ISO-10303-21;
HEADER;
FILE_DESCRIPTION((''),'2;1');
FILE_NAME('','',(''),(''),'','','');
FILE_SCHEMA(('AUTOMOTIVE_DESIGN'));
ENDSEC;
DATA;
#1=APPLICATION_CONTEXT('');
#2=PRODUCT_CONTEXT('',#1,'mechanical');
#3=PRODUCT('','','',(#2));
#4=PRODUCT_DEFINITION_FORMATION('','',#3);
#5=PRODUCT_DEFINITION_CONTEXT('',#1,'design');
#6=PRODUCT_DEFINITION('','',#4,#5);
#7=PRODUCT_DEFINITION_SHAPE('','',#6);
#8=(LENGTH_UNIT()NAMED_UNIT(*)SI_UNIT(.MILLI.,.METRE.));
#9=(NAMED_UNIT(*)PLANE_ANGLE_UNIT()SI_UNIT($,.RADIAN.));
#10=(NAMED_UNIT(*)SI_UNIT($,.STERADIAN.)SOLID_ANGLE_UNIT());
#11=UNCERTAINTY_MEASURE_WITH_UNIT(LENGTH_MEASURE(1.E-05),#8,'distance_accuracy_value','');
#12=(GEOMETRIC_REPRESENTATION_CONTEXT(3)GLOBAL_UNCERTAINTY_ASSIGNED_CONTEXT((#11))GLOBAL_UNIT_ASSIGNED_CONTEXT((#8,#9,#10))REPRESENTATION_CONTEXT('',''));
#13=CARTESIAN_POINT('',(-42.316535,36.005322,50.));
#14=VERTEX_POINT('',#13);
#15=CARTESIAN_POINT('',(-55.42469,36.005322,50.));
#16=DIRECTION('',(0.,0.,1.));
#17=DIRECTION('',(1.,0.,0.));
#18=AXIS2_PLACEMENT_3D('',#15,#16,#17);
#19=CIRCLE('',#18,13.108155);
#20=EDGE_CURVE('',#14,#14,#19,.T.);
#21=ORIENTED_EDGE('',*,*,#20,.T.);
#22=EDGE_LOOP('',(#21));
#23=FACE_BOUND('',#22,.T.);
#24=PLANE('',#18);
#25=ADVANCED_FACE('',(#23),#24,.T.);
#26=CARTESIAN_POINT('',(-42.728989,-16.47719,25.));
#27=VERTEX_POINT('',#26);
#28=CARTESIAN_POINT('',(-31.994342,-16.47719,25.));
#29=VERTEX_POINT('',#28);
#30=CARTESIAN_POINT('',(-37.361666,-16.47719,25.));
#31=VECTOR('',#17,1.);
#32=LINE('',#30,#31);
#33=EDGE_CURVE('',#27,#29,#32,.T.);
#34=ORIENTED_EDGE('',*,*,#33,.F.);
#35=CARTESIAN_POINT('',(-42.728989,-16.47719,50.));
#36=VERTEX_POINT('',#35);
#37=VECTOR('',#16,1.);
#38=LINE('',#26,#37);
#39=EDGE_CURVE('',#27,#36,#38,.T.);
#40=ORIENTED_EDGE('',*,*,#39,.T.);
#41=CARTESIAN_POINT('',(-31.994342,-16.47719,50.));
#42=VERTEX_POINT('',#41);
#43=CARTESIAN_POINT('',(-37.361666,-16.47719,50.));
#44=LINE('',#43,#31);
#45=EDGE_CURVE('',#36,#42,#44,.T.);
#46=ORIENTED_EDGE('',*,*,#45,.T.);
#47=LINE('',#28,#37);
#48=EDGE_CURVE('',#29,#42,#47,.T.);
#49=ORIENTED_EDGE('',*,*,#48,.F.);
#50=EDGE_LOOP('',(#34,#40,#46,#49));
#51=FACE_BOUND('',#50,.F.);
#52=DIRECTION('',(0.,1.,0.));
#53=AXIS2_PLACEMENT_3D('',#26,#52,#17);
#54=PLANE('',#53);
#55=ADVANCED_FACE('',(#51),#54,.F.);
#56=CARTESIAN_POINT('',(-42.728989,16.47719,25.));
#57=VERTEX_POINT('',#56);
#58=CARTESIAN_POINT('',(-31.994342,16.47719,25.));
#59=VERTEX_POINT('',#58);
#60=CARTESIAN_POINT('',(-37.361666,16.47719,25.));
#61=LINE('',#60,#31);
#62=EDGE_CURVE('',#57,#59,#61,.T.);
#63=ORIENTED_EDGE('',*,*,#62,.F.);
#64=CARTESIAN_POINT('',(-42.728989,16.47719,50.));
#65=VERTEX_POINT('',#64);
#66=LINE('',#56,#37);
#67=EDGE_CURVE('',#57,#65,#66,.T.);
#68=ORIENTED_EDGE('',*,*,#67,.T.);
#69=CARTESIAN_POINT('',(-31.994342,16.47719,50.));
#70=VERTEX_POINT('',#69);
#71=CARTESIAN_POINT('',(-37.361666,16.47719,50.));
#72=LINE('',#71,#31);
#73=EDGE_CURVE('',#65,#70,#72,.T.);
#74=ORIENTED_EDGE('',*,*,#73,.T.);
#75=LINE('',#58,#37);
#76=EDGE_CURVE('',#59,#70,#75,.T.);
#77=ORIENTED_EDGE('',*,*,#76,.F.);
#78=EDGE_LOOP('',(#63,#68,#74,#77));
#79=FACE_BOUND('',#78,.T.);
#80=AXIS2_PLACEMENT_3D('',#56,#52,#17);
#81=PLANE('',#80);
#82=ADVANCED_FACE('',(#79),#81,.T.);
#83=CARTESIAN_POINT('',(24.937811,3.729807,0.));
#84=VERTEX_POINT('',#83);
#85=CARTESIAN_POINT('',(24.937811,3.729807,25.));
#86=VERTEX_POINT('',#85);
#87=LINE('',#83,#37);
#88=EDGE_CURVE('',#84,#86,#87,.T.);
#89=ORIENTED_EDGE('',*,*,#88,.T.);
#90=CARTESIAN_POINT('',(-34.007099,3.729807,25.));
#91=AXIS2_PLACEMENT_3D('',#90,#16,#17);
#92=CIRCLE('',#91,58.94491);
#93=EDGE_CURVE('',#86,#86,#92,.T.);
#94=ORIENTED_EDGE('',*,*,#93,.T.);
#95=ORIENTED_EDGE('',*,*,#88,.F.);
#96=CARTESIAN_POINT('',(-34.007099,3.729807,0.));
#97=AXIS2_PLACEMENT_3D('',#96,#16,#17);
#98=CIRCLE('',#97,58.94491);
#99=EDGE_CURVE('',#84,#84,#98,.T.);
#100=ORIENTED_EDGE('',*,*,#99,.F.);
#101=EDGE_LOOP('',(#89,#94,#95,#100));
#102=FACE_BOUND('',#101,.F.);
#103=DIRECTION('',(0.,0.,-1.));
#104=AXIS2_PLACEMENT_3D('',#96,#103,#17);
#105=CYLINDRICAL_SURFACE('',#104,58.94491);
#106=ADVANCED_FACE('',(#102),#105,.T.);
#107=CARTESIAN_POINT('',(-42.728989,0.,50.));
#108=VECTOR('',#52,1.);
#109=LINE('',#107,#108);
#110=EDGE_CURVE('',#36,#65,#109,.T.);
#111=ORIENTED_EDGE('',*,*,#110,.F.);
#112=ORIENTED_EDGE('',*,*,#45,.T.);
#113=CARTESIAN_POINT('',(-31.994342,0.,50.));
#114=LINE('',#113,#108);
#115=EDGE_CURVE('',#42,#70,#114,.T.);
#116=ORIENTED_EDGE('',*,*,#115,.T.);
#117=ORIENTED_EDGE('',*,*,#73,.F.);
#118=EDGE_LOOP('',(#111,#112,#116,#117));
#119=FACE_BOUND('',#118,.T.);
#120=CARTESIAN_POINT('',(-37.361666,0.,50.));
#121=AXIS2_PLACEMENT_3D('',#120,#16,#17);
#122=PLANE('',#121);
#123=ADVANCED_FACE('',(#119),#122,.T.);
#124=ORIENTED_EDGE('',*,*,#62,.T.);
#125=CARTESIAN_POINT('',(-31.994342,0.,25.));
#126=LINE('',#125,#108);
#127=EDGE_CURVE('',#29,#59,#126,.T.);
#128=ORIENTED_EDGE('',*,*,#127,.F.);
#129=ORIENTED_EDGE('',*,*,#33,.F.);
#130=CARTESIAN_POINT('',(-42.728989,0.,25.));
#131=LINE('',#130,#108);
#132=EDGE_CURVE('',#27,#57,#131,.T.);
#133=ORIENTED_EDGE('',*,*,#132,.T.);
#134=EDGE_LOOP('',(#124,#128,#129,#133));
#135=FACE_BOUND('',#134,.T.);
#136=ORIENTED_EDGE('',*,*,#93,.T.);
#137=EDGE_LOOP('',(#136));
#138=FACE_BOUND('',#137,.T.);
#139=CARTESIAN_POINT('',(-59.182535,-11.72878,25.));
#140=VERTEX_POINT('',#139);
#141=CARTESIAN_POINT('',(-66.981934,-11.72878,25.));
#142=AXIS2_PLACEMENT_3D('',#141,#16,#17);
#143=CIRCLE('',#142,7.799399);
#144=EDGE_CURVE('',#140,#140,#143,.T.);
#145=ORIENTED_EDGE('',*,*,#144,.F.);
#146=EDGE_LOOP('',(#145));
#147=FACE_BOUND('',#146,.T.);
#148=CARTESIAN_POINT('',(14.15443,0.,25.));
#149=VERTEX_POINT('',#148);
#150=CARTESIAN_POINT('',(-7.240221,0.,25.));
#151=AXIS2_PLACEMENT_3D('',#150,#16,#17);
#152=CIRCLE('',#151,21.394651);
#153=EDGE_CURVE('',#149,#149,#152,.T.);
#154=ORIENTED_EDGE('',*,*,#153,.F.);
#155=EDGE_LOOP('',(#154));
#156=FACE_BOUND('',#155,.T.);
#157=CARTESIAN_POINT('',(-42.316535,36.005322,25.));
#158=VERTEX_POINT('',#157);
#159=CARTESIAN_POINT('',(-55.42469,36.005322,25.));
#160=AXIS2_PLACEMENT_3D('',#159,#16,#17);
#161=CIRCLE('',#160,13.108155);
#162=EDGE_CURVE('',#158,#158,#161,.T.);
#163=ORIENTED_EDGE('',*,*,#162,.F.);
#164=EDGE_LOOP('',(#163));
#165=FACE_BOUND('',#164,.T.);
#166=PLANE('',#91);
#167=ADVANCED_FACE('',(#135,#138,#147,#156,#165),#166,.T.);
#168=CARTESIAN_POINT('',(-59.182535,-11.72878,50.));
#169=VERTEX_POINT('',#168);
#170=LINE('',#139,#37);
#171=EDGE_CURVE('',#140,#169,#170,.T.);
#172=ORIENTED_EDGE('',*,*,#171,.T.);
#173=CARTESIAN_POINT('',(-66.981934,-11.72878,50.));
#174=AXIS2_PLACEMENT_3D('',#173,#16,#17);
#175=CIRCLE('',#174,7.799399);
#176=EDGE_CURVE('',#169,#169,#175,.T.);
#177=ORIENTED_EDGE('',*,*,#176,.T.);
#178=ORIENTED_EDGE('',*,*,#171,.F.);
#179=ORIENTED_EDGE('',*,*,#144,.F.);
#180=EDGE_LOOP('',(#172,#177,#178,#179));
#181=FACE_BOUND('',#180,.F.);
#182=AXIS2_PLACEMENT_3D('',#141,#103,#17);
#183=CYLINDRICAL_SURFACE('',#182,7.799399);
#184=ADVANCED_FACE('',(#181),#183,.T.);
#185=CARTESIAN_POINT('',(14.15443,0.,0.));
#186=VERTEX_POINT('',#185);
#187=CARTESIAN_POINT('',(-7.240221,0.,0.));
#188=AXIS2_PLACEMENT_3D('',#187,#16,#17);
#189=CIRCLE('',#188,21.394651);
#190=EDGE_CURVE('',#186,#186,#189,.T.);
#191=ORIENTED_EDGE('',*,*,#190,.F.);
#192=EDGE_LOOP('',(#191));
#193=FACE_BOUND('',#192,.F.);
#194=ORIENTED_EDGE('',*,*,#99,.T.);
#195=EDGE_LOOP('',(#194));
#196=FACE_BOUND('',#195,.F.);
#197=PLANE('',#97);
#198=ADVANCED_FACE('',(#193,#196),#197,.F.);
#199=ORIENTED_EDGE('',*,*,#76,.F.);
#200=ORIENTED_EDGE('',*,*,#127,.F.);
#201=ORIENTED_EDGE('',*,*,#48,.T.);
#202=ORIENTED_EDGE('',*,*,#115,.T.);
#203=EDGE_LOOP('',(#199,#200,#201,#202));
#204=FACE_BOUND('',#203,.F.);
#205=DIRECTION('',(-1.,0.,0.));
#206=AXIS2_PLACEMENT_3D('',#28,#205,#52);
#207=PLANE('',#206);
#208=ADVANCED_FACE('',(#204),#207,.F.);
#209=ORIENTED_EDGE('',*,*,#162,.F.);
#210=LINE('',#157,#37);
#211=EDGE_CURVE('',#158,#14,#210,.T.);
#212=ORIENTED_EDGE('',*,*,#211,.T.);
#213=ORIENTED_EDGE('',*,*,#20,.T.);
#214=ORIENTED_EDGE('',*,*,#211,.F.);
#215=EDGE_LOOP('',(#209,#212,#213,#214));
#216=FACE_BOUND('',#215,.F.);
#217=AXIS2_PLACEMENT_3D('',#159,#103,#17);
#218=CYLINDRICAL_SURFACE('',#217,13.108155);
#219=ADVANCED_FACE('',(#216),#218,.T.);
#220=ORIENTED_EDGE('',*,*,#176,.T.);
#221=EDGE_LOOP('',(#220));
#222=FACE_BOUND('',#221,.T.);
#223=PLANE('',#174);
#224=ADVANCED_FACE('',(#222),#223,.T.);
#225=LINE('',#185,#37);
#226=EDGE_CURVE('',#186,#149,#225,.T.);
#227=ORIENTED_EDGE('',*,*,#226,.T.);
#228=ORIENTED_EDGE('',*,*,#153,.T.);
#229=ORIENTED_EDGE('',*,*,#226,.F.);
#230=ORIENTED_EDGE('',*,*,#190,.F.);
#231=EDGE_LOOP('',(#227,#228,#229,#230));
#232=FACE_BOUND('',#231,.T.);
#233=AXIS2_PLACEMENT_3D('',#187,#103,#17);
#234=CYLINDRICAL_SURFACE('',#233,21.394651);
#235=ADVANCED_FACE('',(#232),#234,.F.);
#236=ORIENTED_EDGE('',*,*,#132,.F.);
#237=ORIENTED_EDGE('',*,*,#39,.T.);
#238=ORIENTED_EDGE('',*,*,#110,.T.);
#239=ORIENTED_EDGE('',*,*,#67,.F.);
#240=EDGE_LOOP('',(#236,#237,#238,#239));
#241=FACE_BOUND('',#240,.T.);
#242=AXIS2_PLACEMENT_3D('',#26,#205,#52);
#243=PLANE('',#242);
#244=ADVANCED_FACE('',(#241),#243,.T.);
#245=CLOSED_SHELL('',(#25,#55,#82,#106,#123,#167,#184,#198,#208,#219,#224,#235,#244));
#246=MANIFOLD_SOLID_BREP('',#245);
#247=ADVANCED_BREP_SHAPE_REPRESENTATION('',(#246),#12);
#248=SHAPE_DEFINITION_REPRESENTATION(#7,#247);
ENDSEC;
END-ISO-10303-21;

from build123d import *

# Parameters (mm, degrees)
F0_R     = 58.94491
F0_R_2   = 21.394651
F1_DEPTH = 25
F2_R     = 7.799399
F2_R_2   = 13.108155
F3_DEPTH = 25
F4_DEPTH = 25
F5_W     = 10.734647
F5_H     = 32.95438
F6_DEPTH = 25


with BuildPart() as f1:
    # F0 (on Top) → F1 (new body)
    with BuildSketch(Plane.XY):
        with Locations((-34.007099, 3.729807)):
            Circle(F0_R)
        with Locations((-7.240221, 0)):
            Circle(F0_R_2, mode=Mode.SUBTRACT)
    extrude(amount=F1_DEPTH)

    # F2 (on face) → F3 (join)
    with BuildSketch(Plane.XY.offset(25)):
        with Locations((-66.981934, -11.72878)):
            Circle(F2_R)
        with Locations((-55.42469, 36.005322)):
            Circle(F2_R_2)
    extrude(amount=F3_DEPTH)

    # F2 (on face) → F4 (join)
    with BuildSketch(Plane.XY.offset(25)):
        with Locations((-66.981934, -11.72878)):
            Circle(F2_R)
    extrude(amount=F4_DEPTH)

    # F5 (on face) → F6 (join)
    with BuildSketch(Plane.XY.offset(25)):
        with Locations((-37.361666, 0)):
            Rectangle(F5_W, F5_H)
    extrude(amount=F6_DEPTH)


solid = f1.part
